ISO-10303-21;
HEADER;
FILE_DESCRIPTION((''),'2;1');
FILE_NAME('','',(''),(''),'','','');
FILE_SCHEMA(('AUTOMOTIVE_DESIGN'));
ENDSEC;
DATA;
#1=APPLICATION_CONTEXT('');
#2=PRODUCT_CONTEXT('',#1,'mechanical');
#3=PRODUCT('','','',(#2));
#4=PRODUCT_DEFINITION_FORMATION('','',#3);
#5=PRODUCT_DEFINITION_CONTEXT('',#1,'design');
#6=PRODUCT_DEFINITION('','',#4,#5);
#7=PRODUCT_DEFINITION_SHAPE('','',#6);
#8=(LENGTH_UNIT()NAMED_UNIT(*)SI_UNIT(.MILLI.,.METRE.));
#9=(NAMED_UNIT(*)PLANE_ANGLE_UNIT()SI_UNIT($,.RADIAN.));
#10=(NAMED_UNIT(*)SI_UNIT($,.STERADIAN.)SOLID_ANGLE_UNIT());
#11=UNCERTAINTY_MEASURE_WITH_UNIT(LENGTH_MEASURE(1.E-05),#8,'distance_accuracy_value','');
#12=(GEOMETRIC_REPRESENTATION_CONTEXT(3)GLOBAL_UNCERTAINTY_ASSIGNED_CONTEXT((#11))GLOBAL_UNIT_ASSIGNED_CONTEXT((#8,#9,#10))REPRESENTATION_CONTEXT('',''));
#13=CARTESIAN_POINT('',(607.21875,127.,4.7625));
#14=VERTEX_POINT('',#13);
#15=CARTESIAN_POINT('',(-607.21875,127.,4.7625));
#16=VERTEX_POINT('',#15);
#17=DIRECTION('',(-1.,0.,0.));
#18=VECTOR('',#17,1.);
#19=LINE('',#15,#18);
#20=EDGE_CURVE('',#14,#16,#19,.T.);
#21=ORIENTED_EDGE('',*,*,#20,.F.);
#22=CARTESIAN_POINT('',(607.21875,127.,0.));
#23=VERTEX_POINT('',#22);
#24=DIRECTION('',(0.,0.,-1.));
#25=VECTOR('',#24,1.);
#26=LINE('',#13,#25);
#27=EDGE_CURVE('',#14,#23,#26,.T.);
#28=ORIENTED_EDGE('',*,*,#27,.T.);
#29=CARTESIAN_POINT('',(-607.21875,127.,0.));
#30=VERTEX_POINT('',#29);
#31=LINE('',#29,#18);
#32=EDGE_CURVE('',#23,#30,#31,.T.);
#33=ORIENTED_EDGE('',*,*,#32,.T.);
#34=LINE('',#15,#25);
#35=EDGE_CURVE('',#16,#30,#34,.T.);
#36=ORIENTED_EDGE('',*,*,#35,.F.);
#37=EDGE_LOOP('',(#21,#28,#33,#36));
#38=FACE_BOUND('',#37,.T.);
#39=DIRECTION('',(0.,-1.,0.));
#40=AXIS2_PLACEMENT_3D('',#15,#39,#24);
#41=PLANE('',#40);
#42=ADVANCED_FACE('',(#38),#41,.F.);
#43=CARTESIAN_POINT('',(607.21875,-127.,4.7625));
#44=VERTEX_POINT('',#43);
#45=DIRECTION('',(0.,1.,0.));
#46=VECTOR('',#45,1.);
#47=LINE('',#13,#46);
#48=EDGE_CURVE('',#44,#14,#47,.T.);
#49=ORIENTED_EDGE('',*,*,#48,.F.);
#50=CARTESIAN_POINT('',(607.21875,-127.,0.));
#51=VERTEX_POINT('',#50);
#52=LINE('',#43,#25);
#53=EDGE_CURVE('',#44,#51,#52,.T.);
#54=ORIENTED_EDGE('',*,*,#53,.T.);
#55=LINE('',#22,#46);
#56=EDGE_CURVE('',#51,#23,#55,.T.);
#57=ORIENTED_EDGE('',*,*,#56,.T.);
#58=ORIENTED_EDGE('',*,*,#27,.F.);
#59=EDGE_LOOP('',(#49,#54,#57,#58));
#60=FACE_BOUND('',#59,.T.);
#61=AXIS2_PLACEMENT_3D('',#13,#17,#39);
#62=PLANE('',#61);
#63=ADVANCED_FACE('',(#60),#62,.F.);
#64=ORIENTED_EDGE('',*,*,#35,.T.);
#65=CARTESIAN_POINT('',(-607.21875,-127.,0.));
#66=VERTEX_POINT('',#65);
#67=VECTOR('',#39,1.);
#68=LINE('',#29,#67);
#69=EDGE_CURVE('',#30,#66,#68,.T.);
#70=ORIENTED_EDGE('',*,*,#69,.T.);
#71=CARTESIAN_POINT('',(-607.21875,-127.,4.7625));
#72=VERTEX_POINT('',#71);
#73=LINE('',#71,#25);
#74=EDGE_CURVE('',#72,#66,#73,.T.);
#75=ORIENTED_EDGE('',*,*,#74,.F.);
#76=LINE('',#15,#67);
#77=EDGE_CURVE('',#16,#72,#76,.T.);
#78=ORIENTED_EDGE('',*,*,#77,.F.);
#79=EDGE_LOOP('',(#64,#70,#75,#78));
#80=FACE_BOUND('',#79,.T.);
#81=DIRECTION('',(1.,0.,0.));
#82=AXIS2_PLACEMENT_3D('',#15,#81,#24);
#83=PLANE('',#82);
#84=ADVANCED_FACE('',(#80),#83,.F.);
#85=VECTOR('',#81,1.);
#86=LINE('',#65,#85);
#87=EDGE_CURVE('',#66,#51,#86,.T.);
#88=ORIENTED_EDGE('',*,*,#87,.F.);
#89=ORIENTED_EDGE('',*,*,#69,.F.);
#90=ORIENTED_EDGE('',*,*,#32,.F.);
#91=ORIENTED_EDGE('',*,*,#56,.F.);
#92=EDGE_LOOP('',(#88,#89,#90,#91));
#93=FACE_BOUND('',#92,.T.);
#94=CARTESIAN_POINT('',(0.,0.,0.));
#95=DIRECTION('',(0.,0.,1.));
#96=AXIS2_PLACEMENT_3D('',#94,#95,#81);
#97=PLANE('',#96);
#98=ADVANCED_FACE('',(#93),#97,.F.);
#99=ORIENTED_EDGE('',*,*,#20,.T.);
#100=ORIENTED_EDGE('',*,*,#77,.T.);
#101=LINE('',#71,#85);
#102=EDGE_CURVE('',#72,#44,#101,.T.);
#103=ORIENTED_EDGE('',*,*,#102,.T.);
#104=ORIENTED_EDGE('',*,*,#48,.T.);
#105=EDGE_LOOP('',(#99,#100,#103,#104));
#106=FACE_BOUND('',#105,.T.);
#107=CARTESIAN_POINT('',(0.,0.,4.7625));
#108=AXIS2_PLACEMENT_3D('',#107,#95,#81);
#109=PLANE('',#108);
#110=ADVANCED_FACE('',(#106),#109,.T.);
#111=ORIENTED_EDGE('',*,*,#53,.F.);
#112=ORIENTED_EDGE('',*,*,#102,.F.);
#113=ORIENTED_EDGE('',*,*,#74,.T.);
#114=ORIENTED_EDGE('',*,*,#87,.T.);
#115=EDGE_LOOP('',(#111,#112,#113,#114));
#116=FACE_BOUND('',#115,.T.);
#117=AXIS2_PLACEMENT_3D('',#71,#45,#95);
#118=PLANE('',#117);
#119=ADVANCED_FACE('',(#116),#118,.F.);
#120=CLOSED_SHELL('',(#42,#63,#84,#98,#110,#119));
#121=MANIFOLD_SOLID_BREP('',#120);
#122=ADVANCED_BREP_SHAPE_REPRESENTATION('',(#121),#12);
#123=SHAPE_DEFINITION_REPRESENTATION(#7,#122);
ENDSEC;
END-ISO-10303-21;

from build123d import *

# Parameters (mm, degrees)
SKETCH1_W           = 1214.4375
SKETCH1_H           = 254
BOSS_EXTRUDE1_DEPTH = 4.7625


with BuildPart() as part:
    # Sketch1 → Boss-Extrude1 (new body)
    with BuildSketch(Plane.XY):
        Rectangle(SKETCH1_W, SKETCH1_H)
    extrude(amount=BOSS_EXTRUDE1_DEPTH)


solid = part.part
